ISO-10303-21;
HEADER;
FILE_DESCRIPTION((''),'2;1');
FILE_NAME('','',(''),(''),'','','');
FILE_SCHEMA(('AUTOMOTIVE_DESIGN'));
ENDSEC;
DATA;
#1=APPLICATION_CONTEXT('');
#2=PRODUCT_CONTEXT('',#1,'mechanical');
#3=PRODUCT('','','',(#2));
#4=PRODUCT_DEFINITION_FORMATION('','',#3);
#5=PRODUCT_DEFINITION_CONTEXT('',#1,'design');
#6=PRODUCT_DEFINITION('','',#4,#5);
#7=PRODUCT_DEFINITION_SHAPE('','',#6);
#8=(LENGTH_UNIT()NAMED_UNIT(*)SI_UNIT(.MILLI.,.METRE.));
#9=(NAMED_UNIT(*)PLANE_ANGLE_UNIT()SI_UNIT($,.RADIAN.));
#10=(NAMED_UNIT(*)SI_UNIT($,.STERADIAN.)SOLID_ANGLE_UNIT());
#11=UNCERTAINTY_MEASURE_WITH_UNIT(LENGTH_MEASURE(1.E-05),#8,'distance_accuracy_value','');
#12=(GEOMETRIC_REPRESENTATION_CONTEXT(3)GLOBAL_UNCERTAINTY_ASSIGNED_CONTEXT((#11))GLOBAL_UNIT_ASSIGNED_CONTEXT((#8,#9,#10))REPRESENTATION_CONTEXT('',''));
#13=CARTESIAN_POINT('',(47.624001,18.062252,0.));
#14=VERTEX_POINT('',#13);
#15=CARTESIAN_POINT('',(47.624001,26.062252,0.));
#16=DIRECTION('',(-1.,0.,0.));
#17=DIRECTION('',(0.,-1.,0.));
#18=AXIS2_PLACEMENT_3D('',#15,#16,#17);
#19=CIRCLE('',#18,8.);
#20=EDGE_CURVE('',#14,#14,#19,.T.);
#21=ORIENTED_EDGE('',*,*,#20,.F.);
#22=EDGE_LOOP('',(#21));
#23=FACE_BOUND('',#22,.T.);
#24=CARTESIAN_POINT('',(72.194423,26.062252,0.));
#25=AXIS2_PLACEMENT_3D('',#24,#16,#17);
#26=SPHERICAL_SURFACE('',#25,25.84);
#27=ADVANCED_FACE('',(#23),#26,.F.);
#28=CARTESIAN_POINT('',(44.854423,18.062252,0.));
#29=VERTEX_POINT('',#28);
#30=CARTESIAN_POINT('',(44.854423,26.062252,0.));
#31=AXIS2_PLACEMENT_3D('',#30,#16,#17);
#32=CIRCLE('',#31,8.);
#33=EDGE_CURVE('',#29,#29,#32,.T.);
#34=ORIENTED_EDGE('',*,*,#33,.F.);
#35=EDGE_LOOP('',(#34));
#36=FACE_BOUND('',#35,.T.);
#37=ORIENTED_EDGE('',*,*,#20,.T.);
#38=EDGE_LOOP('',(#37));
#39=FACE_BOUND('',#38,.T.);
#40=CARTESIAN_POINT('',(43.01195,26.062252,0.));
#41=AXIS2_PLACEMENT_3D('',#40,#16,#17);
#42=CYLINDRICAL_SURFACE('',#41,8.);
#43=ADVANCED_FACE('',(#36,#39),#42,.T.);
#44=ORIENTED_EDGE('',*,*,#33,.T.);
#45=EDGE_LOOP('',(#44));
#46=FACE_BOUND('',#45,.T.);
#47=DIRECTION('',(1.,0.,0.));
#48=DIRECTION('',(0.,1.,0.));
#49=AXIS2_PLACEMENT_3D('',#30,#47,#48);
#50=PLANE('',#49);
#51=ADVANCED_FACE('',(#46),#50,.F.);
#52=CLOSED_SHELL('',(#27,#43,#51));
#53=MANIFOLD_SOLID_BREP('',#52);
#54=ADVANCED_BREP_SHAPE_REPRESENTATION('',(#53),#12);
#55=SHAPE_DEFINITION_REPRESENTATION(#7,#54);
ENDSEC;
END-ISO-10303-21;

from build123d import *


with BuildPart() as part:
    # 草图1 → 旋转1 (revolve)
    with BuildSketch(Plane.XY, mode=Mode.PRIVATE) as revolve_1_sk:
        with BuildLine():
            Line((44.854422626, 26.062252183), (44.854422626, 34.062252183))
            Line((44.854422626, 34.062252183), (47.624001384, 34.062252183))
            ThreePointArc((47.624001384, 34.062252183), (46.673790925, 30.112308671), (46.354422626, 26.062252183))
            Line((46.354422626, 26.062252183), (44.854422626, 26.062252183))
        make_face()
    revolve(revolve_1_sk.sketch.rotate(Axis((43.011950236, 26.062252183, 0), (1, 0, 0)), 180), axis=Axis((43.011950236, 26.062252183, 0), (1, 0, 0)))  # turned: the seam where the file's is


solid = part.part
